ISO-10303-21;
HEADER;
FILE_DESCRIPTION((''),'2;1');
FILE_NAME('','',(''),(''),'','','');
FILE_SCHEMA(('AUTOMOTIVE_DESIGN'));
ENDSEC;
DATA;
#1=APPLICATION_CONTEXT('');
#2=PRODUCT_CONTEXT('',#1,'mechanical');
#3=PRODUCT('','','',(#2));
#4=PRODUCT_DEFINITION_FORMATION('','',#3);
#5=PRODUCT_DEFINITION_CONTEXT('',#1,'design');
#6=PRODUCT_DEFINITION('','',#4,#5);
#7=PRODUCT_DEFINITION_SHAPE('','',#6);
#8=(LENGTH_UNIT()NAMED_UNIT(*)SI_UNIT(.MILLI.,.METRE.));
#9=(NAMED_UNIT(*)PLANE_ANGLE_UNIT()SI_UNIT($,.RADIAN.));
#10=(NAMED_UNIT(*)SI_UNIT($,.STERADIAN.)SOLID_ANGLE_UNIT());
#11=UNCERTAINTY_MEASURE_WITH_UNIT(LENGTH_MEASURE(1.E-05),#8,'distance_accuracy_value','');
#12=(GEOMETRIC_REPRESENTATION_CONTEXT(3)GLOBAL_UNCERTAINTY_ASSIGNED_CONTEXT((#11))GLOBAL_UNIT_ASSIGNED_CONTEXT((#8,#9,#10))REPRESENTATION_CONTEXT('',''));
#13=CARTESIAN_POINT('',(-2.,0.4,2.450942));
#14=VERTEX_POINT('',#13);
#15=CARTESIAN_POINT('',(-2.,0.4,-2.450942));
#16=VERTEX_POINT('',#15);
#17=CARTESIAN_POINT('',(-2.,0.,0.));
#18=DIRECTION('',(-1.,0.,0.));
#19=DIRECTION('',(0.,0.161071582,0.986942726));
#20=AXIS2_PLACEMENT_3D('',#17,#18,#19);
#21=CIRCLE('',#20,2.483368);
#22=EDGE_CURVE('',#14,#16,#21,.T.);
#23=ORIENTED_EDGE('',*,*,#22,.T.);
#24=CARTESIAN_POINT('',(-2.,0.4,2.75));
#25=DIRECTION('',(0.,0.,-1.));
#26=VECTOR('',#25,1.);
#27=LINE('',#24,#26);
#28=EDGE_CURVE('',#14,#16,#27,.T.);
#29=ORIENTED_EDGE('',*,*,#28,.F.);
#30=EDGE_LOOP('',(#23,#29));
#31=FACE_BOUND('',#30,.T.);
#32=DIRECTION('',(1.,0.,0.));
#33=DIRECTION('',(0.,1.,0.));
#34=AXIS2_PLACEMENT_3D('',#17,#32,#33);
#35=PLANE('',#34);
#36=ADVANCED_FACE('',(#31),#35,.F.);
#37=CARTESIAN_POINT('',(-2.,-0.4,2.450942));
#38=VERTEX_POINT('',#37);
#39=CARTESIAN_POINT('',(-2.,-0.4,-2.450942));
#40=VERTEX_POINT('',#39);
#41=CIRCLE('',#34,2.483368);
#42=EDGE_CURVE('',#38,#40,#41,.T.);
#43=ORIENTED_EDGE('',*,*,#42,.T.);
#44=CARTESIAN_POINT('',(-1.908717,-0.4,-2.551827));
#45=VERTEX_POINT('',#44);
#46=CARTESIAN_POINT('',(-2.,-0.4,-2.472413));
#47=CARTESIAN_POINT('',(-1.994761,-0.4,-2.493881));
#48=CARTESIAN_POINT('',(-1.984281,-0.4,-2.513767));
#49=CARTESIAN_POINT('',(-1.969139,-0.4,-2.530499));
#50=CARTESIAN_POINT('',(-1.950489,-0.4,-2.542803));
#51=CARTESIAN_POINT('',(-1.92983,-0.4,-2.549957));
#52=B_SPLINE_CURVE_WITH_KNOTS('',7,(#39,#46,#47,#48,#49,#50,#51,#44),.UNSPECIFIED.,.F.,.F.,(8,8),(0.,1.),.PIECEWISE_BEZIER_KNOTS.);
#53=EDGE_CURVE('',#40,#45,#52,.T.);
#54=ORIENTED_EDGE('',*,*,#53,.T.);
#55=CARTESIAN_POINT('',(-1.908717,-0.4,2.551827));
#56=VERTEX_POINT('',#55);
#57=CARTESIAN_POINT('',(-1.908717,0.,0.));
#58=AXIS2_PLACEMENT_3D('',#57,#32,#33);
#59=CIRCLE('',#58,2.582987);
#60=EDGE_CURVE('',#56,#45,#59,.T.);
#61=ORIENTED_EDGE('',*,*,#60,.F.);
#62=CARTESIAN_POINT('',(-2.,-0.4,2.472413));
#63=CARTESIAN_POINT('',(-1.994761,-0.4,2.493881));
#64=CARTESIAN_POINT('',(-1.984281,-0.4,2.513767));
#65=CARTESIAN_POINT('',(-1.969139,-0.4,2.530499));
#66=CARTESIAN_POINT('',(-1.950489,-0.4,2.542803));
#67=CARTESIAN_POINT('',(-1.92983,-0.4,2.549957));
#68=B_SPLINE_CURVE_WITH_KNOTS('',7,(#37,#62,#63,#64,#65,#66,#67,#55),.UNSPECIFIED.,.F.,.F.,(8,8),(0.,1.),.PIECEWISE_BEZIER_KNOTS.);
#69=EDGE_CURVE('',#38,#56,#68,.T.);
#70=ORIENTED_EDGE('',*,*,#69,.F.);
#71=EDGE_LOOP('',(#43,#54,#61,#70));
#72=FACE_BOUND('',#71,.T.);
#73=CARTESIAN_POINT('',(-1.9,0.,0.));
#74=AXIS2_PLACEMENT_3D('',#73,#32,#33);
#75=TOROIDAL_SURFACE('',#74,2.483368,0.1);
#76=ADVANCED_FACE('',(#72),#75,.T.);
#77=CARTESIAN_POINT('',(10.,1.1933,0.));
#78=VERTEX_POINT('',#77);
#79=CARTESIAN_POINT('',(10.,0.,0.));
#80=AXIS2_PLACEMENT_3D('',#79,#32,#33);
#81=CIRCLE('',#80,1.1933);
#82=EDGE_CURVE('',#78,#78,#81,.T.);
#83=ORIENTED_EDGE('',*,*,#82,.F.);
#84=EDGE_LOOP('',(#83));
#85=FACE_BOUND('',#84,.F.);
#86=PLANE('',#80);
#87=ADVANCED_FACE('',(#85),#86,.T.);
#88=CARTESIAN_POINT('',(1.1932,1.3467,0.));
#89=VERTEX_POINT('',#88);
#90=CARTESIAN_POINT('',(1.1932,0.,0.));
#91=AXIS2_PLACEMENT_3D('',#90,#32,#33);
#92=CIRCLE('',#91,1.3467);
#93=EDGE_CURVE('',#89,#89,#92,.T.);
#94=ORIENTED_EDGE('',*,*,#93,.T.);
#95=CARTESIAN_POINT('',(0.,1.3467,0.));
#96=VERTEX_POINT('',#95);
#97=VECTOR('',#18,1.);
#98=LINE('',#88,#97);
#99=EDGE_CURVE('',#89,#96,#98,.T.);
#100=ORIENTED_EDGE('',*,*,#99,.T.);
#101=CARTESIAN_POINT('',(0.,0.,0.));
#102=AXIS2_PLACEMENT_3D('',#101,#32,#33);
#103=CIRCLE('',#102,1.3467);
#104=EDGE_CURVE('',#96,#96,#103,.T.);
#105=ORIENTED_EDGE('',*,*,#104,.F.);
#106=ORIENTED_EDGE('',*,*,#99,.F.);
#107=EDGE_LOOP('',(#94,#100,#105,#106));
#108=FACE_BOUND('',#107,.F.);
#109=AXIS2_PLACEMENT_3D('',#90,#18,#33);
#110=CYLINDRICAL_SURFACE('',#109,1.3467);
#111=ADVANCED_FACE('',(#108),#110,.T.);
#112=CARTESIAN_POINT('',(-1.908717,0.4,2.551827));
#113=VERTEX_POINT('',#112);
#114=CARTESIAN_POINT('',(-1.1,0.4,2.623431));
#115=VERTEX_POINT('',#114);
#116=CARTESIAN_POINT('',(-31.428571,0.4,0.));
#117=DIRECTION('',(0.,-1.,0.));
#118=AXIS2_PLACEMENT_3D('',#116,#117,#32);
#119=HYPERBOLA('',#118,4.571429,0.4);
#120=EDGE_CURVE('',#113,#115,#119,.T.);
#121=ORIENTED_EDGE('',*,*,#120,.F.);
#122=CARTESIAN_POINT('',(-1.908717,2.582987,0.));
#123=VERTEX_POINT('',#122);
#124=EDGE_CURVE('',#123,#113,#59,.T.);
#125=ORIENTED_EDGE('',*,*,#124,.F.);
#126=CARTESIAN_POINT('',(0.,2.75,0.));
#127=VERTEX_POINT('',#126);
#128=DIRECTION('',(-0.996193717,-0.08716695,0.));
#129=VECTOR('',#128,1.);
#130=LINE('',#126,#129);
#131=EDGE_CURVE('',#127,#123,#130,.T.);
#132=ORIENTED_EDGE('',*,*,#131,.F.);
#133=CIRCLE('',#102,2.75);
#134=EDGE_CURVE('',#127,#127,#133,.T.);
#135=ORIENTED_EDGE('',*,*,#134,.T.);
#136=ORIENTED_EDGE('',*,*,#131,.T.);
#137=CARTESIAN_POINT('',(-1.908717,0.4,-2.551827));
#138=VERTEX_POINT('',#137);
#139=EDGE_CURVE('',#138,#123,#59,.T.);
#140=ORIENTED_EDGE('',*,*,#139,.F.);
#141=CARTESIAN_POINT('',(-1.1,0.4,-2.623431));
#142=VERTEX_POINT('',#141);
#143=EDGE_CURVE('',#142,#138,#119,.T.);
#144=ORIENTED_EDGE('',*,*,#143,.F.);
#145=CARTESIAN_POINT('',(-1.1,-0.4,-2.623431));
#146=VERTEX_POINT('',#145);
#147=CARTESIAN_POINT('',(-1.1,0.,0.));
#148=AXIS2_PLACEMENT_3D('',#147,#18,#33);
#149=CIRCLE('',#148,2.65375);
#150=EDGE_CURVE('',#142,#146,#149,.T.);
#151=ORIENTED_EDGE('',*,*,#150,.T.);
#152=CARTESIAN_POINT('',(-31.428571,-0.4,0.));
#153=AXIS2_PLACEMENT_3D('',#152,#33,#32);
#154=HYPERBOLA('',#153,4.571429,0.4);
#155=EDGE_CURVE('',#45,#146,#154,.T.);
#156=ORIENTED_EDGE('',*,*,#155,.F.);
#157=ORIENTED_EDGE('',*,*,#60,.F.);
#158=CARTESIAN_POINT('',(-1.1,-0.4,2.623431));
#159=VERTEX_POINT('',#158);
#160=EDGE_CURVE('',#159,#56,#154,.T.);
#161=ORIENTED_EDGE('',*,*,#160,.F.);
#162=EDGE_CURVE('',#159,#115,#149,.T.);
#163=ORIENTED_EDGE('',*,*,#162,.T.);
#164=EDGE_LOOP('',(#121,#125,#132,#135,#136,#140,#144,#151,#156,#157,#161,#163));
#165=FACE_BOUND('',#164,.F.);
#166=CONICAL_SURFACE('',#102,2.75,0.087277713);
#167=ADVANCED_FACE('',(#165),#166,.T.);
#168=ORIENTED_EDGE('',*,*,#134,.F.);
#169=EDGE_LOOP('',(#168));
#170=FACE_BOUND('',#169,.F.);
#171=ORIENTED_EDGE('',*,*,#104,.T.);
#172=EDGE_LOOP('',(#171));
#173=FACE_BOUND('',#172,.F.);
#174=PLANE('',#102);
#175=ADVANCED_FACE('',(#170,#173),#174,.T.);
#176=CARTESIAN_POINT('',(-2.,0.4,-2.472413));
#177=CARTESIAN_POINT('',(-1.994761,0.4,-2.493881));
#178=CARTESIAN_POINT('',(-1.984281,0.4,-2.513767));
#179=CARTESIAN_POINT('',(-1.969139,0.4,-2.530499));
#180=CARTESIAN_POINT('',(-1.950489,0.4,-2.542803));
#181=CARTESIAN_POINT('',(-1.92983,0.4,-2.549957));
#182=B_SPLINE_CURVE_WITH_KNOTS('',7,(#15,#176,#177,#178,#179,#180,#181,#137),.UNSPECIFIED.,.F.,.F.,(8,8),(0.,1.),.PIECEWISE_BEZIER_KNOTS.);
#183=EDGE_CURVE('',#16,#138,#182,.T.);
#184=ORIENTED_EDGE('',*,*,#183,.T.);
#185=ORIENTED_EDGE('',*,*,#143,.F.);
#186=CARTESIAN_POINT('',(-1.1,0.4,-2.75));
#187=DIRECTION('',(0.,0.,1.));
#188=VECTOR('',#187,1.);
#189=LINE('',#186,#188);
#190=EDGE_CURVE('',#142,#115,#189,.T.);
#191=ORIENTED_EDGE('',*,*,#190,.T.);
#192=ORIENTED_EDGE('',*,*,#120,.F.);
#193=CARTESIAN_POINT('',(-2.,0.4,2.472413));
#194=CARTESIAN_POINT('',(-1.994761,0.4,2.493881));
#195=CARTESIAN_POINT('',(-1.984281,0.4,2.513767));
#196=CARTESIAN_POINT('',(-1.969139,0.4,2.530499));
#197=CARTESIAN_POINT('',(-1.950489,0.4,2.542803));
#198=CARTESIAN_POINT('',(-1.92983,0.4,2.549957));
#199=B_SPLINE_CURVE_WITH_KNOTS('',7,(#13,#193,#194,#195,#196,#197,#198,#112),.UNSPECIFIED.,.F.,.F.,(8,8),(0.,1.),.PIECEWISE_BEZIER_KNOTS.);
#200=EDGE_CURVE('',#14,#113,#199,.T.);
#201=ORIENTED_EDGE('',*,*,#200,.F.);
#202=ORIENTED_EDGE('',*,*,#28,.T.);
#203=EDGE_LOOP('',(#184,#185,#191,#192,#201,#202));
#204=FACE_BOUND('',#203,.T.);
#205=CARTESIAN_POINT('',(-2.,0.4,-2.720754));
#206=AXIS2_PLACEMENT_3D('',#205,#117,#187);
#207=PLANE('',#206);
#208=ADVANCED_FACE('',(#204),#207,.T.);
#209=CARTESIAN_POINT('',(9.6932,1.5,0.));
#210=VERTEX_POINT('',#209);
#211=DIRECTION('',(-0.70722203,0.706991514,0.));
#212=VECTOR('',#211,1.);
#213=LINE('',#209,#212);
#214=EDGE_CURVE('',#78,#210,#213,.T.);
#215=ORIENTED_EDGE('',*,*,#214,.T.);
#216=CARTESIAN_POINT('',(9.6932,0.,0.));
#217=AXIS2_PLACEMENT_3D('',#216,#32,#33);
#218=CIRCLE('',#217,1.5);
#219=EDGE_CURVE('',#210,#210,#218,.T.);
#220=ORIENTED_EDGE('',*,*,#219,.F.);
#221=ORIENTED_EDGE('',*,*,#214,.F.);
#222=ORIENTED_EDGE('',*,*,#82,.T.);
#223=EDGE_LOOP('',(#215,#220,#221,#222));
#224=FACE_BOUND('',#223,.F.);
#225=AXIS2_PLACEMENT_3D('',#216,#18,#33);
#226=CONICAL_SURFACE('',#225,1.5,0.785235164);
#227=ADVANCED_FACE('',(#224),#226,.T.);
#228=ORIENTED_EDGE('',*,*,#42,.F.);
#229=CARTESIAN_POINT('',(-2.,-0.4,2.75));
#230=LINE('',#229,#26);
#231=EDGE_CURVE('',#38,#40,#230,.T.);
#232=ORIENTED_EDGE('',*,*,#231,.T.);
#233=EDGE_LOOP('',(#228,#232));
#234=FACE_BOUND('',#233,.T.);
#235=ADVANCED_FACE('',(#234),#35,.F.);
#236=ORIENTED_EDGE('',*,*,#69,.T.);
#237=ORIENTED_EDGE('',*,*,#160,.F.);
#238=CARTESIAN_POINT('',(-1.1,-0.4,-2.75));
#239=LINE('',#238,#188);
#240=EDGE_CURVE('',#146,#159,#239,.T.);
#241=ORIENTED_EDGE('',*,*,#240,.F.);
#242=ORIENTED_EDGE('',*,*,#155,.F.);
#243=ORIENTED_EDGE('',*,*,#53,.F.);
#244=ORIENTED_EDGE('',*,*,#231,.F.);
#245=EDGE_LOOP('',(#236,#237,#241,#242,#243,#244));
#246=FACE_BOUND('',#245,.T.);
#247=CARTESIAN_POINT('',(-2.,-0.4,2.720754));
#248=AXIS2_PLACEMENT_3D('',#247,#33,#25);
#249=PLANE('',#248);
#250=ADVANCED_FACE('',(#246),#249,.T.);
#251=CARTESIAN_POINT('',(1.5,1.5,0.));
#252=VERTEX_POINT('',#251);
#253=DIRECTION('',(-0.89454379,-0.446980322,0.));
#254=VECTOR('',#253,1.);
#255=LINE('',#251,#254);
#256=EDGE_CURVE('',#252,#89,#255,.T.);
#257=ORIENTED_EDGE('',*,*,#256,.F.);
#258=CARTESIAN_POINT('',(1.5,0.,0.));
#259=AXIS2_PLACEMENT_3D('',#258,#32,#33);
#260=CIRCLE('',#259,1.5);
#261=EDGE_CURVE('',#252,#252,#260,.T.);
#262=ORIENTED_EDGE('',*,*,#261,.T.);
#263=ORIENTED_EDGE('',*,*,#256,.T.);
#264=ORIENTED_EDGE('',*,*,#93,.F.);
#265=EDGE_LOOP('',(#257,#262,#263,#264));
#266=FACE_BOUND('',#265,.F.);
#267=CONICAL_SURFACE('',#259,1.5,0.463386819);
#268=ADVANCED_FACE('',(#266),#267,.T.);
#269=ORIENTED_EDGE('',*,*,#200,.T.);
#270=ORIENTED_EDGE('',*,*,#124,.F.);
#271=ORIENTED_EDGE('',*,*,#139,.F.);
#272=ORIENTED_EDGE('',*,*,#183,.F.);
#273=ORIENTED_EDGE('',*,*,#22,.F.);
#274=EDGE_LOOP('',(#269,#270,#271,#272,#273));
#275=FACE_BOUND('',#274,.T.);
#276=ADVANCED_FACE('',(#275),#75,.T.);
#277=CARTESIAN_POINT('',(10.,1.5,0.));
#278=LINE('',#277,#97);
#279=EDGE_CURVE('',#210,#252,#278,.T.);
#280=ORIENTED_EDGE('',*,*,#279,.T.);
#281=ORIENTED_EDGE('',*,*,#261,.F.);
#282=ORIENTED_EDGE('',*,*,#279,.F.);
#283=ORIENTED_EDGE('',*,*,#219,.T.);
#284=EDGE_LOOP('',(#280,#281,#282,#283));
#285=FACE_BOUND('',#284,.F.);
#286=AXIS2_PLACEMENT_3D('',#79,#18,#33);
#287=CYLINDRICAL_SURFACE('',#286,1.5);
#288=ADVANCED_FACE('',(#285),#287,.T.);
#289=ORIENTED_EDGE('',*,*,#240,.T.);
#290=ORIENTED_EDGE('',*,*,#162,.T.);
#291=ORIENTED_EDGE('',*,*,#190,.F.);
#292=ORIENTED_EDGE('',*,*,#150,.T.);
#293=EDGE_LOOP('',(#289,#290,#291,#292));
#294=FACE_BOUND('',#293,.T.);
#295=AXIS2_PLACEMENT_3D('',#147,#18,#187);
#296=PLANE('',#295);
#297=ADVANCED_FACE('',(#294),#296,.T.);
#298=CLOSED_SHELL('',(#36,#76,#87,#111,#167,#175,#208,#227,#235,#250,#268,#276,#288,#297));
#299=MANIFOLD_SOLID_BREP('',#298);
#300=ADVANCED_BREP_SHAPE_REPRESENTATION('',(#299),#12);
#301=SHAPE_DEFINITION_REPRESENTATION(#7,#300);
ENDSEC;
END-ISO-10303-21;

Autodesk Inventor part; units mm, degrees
ref_plane "YZ Plane" through (0, 0, 0) normal (1, 0, 0) x (0, 1, 0)
ref_plane "XZ Plane" through (0, 0, 0) normal (0, 1, 0) x (-1, 0, 0)
sketch "Esquisse1" plane through (0, 0, 0) normal (0, 0, 1) x (1, 0, 0)
  line L0 (-2, 0) -> (10, 0)
  line L1 (10, 0) -> (10, 1.5)
  line L2 (10, 1.5) -> (1.5, 1.5)
  line L3 (1.5, 1.5) -> (1.1932, 1.3467)
  line L4 (1.1932, 1.3467) -> (0, 1.3467)
  line L5 (0, 1.3467) -> (0, 2.75)
  line L6 (-4.4, 0) -> (12.4, 0) projected
  line L7 (0, -0.55) -> (0, 3.3) projected
  line L8 (-2, 0) -> (-2, 2.575)
  line L9 (0, 2.75) -> (-2, 2.575)
  line L10 (1.5, 1.5) -> (0, 1.5) construction
  dimension "d0" = 10
  dimension "d1" = 8.5
  dimension "d2" = 0.3068
  dimension "d3" = 2
  dimension "d4" = 3
  dimension "d5" = 2.6935
  dimension "d9" = 5.5
  dimension "d10" = 5
revolve "Corps" add sketch "Esquisse1" angle 360 about axis through (-2, 0, 0) along (1, 0, 0)
sketch "Esquisse2" plane through (-2, 0, 0) normal (-1, 0, 0) x (0, 0, 1)
  circle A0 centre (0, 0) radius 2.75 projected
  line L0 (0, 0) -> (0, 2.575) projected
  line L1 (-2.75, 0.4) -> (2.75, 0.4)
  line L2 (2.75, 0.4) -> (2.75, -0.4)
  line L3 (2.75, -0.4) -> (-2.75, -0.4)
  line L4 (-2.75, -0.4) -> (-2.75, 0.4)
  line L5 (-2.75, 0) -> (2.75, 0) construction
  line L6 (0, 0.4) -> (0, -0.4) construction
  dimension "d11" = 0.8
  dimension "d12" = 5.5
fillet "Congé1" radius 0.1 1 edges at (-2, -2.575, 0)
extrude "Rainure" cut sketch "Esquisse2" against normal blind 0.9 contours A0 L3 L1 | L2 L3 A0 | A0 L1 L2 | A0 L4 L1 | L3 L4 A0
thread "Filetage" size "M3x0.5" class "6g" standard "ISO Metric profile" length 8.5
chamfer "Chanfrein1" distance 0.3067 distance2 0.3068 1 edges at (10, -1.5, 0) measured on face at (10, 0.417, 0.2189)
ref_plane "Work Plane1" through (30.1625, 0, 0) normal (0, 0, -1) x (1, 0, 0)
equation "\"d11\" = SBR"
equation "\"d12\" = KOD"
equation "\"d14\" = RR"
equation "\"d19\" = STI"
equation "\"d15\" = GEL"
equation "\"d17\" = -0.5 * SPD + 0.5 * GD"
equation "\"d0\" = NLG"
equation "\"d1\" = GEL"
equation "\"d3\" = KOH"
equation "\"d4\" = GD"
equation "\"d5\" = BDM"
equation "\"d9\" = KOD"
equation "\"d10\" = KEWI"
equation "\"GD\" = NND"
equation "\"NLG\" = 10"
equation "\"GEL\" = 8.5"
equation "\"KOD\" = 5.5"
equation "\"KOH\" = 2"
equation "\"GAL\" = 0.61345 * PTC"
equation "\"SPD\" = NND - 1.2269 * PTC"
equation "\"BDM\" = 2.6935"
equation "\"GUL\" = 0.61345 * PTC"
equation "\"RR\" = 0.1"
equation "\"SBR\" = 0.8"
equation "\"STI\" = 0.9"
equation "\"KEWI\" = 5deg"
equation "\"PTC\" = 0.5"
equation "\"THREADDIA\" = 3"
equation "\"TOA\" = 30deg"
equation "\"NND\" = 3"
equation "\"GD1\" = THREADDIA - 1.2269 * PTC"
properties part number "CNS 4355 - M 3 x 10" material "Acier, doux"
